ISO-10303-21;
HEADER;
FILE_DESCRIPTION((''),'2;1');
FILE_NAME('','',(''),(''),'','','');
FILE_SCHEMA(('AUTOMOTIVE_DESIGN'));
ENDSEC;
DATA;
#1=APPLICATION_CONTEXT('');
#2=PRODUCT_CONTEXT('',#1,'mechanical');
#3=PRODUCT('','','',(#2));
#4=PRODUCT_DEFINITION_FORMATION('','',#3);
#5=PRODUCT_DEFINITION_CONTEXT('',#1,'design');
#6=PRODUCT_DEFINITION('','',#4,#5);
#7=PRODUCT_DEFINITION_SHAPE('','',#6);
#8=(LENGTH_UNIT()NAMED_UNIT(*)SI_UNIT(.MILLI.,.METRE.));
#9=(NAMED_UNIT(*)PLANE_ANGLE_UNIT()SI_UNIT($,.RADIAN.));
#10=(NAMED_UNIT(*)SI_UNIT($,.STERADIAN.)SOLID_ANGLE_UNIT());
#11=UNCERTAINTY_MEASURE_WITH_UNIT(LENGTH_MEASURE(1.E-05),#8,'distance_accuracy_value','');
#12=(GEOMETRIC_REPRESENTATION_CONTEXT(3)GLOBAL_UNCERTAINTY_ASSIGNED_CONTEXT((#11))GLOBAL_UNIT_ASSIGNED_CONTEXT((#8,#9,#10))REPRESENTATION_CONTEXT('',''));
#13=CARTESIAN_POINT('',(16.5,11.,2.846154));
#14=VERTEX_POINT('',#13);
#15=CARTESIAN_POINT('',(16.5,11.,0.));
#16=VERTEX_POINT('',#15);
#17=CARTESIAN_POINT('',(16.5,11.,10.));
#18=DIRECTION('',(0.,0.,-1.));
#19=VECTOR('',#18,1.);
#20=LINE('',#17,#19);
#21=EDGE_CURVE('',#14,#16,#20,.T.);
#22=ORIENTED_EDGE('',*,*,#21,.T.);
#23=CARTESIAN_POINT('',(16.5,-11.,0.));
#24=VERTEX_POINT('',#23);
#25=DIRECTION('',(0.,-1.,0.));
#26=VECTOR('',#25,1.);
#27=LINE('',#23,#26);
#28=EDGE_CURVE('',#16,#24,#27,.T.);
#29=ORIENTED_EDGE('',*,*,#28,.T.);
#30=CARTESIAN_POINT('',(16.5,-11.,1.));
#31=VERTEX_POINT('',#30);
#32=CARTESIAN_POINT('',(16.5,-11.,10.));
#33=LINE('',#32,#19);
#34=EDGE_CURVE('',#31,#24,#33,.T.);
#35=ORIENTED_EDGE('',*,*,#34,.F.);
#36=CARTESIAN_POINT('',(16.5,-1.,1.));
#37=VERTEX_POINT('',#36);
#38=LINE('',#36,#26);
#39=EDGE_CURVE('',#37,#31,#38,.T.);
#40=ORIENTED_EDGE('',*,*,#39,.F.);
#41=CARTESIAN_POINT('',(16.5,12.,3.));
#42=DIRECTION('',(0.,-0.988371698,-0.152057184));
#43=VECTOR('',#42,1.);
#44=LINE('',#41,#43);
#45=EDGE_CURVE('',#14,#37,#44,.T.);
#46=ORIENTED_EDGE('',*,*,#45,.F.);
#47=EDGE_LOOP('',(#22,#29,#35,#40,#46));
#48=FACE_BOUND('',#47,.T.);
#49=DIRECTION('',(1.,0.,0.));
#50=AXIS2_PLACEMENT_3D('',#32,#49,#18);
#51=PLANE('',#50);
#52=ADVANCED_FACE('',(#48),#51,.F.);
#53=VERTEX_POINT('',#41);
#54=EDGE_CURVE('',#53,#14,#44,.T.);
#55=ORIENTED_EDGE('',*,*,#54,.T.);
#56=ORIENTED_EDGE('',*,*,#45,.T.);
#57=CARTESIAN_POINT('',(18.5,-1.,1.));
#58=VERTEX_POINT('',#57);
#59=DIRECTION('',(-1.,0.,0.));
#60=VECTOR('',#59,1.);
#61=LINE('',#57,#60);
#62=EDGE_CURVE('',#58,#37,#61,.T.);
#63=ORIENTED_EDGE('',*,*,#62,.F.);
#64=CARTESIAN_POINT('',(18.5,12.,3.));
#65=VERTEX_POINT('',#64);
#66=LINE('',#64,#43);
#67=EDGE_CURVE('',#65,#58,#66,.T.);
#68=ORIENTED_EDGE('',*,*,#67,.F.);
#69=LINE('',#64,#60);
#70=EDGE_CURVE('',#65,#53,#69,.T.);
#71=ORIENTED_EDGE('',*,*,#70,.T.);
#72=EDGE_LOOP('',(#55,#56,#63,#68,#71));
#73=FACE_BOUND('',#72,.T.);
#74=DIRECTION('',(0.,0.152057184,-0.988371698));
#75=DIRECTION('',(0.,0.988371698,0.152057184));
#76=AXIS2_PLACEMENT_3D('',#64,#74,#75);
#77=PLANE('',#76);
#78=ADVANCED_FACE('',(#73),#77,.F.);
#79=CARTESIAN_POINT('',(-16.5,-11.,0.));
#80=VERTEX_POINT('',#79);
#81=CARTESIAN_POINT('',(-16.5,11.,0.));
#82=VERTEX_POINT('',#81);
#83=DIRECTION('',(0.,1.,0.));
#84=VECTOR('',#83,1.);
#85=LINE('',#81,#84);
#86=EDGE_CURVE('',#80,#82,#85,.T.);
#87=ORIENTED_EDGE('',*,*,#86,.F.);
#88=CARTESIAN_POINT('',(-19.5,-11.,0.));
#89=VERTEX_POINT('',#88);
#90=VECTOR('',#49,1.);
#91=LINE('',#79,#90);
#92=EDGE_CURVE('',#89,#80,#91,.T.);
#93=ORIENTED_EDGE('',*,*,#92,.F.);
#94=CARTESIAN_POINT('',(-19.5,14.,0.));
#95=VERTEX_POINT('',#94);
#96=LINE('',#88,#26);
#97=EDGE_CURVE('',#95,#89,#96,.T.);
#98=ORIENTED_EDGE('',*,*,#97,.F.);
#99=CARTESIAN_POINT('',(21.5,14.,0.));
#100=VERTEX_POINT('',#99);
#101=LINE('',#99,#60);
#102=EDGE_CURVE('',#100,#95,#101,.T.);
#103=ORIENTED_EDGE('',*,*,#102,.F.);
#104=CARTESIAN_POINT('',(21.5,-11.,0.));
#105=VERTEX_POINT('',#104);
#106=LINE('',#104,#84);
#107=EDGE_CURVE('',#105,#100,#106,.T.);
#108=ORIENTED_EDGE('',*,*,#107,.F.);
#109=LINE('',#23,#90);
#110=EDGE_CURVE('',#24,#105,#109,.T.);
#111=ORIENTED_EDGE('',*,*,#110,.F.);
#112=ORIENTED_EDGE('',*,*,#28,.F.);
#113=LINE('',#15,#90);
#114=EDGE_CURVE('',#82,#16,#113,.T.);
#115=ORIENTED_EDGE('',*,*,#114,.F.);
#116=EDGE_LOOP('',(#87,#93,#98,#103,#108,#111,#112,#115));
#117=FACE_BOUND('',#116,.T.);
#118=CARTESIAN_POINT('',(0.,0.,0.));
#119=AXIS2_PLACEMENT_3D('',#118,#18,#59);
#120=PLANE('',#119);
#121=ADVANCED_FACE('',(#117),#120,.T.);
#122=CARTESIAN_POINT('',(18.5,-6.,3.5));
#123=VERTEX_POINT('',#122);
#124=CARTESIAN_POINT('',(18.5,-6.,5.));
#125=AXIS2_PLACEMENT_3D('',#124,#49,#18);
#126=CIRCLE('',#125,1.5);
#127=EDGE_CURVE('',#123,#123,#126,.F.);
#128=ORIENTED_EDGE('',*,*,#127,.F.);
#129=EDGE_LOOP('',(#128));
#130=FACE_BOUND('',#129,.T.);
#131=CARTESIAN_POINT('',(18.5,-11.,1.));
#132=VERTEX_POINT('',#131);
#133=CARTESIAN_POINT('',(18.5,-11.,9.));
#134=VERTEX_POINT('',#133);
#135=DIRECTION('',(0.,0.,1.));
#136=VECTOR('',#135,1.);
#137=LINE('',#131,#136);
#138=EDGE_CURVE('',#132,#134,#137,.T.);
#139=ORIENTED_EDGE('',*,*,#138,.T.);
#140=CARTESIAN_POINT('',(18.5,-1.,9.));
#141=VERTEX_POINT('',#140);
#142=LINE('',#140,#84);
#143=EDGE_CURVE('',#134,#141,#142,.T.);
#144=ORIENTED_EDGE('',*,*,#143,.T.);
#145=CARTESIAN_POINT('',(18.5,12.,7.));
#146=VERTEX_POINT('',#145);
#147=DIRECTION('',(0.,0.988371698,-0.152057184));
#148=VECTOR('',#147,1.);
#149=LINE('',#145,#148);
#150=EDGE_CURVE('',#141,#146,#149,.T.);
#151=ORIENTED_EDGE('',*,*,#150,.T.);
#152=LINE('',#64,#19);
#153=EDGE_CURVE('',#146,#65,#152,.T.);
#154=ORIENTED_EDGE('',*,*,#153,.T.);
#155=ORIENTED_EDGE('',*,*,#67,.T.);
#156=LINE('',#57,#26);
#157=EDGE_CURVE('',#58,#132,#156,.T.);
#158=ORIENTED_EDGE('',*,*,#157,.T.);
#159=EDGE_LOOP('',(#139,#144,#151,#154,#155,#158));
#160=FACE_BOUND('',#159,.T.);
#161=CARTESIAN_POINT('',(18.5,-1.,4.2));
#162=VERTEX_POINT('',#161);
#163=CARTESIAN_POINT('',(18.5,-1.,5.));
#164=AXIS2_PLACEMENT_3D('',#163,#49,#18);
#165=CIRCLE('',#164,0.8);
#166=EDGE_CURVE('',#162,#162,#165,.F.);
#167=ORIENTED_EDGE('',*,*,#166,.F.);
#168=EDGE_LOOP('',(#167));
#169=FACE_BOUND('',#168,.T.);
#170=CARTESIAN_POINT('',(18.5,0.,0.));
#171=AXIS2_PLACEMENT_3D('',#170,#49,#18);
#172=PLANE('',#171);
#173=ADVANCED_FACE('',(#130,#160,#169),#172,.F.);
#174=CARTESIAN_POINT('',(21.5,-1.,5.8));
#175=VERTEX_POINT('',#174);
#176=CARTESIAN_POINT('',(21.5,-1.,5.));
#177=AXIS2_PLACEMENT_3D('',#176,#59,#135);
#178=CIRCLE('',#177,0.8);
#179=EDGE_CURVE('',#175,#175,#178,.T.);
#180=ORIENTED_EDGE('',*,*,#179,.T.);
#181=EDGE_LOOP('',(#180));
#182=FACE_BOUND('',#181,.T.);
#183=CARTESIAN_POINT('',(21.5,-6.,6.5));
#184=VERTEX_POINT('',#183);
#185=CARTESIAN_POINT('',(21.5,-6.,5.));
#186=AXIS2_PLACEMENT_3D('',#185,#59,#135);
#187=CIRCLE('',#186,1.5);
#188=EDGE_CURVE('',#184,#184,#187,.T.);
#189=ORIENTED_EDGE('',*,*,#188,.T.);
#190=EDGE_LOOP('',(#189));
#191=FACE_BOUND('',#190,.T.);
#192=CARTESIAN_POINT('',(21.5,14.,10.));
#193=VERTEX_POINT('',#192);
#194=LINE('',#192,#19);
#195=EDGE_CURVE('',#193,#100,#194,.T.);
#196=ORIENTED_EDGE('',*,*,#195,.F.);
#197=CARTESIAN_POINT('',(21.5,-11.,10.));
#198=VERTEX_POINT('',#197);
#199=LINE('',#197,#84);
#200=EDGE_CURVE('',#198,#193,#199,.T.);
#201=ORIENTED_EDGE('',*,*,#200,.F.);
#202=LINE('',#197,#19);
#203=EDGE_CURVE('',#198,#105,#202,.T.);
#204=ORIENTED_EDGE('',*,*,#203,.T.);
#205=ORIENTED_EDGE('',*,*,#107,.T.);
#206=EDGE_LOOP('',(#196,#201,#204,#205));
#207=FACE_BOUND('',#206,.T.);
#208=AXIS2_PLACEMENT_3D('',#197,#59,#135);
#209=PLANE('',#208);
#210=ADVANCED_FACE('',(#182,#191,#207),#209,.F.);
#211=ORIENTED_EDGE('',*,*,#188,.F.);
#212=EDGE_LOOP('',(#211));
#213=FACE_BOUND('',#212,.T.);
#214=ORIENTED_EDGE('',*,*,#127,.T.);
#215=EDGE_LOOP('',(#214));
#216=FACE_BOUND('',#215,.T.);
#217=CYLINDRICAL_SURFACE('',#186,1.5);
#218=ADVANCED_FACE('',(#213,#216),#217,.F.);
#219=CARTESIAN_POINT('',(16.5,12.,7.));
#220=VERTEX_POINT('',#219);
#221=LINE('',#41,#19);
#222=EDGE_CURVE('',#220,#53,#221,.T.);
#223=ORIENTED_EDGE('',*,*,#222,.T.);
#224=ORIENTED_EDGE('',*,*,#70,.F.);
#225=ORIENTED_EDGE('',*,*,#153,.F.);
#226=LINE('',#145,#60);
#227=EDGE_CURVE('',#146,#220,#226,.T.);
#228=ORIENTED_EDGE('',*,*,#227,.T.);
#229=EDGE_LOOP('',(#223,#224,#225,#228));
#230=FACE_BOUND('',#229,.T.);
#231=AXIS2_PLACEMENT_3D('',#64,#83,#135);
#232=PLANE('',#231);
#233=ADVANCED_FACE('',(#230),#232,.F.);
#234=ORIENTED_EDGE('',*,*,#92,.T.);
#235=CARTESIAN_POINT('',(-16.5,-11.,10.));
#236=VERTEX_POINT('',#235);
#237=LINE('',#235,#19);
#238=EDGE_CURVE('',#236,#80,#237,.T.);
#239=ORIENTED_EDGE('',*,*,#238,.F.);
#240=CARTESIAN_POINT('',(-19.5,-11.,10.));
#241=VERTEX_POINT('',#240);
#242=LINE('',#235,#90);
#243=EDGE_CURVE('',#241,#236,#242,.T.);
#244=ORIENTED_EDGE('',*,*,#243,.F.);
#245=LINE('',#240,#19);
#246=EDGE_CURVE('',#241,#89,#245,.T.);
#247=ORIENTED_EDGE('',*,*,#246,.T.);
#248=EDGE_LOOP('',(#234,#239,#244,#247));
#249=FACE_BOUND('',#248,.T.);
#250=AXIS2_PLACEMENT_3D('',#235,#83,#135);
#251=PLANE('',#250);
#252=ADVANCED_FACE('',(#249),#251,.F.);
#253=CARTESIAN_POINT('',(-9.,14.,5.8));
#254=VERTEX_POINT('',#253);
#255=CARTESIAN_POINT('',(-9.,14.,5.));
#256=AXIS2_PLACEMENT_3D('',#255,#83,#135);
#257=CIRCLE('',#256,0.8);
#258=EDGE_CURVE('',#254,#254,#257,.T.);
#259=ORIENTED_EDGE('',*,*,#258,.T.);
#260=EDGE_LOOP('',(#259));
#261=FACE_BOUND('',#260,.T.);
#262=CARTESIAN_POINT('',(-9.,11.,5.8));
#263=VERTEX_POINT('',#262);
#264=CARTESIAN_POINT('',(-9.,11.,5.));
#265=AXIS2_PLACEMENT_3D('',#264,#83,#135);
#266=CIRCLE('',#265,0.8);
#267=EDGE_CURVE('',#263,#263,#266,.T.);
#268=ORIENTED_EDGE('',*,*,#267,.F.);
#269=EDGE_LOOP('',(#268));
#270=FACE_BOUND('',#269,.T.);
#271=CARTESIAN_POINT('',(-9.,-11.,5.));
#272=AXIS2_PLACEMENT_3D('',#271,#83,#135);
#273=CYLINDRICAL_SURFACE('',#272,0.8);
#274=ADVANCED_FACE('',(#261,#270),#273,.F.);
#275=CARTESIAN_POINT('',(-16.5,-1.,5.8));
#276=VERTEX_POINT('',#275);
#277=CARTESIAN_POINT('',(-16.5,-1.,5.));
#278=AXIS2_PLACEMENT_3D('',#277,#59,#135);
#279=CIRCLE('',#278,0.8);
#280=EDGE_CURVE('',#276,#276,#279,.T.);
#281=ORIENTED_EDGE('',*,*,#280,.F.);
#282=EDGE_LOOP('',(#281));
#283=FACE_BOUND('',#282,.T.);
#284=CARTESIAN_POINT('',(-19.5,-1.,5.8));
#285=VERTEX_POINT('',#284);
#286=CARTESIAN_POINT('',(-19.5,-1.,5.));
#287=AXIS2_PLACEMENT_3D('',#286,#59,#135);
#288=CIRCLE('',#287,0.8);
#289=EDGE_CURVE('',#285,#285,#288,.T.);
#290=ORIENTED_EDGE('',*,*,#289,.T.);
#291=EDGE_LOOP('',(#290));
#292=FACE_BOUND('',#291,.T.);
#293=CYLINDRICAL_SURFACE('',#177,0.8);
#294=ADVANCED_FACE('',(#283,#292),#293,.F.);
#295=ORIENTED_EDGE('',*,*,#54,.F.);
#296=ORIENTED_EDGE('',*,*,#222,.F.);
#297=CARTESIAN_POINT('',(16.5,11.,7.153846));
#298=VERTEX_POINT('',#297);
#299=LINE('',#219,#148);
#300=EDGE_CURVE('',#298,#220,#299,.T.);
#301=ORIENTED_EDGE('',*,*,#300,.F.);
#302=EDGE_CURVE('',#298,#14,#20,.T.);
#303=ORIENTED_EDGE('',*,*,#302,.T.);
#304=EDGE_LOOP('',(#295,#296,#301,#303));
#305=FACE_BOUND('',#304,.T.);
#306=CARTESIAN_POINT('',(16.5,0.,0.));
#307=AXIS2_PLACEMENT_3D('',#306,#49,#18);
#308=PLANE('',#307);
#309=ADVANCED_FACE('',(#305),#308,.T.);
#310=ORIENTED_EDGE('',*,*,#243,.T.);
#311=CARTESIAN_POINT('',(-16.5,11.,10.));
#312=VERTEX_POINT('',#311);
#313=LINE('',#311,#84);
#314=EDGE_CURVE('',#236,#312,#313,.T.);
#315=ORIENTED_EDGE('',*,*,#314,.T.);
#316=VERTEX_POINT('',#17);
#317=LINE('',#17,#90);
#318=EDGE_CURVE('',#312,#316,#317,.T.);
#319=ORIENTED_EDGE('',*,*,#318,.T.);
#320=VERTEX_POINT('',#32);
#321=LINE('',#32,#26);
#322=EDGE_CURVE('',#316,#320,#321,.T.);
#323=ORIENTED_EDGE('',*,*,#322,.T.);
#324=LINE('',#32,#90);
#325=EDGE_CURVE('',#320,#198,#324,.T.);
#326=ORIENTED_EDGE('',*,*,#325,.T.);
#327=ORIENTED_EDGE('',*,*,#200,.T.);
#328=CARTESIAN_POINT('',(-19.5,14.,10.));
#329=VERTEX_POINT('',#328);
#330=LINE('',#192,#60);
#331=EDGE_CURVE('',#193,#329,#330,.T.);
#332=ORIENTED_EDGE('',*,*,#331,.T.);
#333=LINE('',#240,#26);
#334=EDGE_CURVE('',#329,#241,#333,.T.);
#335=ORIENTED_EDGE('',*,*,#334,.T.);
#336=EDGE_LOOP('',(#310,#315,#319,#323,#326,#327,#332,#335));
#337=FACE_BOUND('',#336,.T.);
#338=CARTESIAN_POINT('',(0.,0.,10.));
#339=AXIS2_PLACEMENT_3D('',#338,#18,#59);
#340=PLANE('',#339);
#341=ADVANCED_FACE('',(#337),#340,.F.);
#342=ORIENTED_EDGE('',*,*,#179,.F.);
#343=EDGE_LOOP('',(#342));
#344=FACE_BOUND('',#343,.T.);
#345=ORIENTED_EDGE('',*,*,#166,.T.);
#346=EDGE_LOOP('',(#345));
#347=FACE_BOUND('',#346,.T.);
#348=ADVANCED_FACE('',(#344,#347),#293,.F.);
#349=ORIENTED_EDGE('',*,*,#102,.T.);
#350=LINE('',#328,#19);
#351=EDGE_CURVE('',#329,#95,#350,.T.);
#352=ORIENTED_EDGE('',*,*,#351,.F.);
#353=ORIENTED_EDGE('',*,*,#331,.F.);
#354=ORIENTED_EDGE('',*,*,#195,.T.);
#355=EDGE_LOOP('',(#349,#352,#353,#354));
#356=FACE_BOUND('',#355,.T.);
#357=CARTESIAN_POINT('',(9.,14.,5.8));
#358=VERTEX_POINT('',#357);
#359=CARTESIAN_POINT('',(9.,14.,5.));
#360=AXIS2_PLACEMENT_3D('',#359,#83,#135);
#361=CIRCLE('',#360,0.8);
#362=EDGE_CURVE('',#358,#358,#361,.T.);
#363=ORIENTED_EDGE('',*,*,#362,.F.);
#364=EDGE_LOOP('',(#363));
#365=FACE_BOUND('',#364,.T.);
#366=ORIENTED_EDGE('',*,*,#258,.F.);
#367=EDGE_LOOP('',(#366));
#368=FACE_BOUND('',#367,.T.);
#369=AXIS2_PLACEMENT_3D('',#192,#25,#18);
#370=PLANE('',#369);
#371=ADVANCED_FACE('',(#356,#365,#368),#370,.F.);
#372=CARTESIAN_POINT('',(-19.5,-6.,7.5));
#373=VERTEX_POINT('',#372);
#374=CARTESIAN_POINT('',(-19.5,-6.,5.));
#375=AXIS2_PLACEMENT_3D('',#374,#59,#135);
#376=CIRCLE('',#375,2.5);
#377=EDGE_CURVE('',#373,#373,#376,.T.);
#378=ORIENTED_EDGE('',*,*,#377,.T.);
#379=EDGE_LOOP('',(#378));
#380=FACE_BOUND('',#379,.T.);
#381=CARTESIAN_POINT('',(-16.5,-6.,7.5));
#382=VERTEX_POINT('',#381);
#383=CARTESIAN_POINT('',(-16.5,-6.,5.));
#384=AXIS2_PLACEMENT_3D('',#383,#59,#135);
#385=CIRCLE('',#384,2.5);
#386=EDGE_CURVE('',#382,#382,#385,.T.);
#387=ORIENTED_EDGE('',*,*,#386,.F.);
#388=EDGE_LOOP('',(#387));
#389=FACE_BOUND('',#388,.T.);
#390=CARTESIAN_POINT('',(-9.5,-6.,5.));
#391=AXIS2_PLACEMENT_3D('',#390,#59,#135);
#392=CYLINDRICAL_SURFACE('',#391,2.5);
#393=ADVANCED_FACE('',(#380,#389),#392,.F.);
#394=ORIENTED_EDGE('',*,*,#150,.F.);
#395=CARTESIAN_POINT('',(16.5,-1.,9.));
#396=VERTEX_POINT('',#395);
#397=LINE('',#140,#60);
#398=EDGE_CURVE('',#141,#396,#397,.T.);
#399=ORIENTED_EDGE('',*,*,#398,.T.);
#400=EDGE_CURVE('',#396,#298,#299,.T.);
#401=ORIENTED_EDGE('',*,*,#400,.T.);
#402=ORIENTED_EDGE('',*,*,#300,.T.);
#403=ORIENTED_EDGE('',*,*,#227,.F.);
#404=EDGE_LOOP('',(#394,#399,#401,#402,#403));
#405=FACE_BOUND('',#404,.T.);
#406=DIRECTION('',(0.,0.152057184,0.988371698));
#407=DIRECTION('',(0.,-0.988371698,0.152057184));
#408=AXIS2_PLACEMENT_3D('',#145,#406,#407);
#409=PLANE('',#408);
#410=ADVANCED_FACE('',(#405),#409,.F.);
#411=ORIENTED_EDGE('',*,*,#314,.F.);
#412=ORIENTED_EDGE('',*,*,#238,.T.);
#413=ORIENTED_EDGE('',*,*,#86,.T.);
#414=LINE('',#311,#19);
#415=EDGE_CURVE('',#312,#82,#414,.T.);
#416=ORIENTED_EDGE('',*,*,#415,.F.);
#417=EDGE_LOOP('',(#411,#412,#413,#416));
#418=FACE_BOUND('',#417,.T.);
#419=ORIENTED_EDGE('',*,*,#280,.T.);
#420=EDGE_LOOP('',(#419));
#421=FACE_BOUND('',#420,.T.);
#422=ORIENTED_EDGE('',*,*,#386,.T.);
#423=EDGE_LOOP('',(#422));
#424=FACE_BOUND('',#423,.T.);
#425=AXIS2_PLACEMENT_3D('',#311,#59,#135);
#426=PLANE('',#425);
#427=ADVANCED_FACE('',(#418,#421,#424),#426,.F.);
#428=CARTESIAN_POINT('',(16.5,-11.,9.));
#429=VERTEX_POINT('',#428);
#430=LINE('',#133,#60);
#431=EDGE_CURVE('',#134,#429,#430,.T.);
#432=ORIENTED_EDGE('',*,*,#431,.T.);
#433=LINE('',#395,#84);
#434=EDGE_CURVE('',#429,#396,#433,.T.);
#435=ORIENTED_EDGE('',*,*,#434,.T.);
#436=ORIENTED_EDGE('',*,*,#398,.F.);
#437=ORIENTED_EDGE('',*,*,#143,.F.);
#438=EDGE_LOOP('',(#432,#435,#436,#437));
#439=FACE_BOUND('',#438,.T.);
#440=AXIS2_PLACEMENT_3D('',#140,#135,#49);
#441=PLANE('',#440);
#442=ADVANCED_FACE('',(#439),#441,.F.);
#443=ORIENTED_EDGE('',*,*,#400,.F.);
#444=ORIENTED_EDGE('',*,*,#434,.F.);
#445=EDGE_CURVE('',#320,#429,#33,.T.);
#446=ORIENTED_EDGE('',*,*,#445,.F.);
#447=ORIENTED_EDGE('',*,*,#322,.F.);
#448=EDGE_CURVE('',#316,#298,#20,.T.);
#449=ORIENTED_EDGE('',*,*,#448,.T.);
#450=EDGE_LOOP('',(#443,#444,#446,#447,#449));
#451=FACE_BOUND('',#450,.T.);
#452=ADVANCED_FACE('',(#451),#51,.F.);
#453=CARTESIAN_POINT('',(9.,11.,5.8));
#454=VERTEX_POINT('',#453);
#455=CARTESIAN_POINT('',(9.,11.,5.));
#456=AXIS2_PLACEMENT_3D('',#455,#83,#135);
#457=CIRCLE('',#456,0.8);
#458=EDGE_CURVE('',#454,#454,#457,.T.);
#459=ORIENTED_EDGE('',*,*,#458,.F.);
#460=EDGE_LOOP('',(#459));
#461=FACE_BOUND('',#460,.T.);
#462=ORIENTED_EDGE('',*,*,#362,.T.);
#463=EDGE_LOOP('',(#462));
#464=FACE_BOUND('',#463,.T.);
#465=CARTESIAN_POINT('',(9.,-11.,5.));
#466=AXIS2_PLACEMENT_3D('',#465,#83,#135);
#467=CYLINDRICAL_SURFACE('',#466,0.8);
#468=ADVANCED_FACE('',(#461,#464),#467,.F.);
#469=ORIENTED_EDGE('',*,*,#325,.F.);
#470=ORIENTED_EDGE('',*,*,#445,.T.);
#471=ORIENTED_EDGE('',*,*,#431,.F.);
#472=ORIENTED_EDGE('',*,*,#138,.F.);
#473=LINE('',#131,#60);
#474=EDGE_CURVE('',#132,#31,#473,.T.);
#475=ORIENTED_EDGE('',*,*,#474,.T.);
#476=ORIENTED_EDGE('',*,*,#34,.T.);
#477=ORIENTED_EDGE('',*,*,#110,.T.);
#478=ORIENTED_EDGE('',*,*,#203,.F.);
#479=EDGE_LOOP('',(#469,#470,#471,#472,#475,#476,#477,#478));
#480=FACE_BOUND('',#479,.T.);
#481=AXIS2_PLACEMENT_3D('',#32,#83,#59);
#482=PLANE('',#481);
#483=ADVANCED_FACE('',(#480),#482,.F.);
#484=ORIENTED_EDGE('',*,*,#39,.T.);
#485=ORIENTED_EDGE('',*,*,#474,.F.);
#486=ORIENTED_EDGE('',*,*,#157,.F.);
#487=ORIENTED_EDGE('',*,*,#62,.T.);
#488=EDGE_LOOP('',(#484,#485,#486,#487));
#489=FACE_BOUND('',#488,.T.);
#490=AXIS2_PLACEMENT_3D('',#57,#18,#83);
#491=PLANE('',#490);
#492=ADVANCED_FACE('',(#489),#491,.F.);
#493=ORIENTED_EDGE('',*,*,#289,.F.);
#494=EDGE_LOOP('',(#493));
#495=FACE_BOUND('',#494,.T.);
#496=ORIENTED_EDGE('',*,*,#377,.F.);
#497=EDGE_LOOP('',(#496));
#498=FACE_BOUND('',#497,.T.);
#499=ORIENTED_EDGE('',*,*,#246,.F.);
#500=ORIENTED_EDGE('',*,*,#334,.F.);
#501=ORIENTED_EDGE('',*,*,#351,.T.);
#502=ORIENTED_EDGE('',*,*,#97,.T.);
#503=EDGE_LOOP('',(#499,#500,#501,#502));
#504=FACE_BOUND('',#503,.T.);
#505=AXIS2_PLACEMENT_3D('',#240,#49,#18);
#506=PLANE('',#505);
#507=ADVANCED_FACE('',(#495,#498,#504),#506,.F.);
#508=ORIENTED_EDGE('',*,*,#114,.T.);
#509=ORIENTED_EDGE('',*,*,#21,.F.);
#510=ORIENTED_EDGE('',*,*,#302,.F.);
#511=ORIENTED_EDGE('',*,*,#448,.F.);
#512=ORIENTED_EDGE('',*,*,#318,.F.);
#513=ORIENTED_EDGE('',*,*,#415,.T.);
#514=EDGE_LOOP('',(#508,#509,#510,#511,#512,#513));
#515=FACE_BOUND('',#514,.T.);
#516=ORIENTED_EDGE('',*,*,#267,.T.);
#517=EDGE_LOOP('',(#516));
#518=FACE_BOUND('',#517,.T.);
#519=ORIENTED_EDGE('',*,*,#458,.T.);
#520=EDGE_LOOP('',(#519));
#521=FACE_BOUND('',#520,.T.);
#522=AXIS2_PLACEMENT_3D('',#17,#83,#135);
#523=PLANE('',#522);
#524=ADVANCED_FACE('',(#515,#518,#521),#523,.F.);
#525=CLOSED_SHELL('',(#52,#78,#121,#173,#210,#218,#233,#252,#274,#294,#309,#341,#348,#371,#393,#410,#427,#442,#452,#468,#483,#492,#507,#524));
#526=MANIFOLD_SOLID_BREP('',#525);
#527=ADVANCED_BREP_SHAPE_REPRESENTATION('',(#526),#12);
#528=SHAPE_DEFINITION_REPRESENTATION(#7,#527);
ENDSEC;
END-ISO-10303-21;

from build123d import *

# Parameters (mm, degrees)
BOSS_EXTRUDE1_DEPTH = 10
SKETCH4_R           = 1.5
SKETCH4_R_2         = 0.8
CUT_EXTRUDE1_DEPTH  = 42
SKETCH6_R           = 0.8
CUT_EXTRUDE2_DEPTH  = 26
CUT_EXTRUDE3_DEPTH  = 2
SKETCH9_R           = 2.5
CUT_EXTRUDE4_DEPTH  = 10


with BuildPart() as part:
    # Sketch2 → Boss-Extrude1 (new body)
    with BuildSketch(Plane.XY):
        Polygon((-16.5, -11), (-19.5, -11), (-19.5, 14), (21.5, 14), (21.5, -11), (16.5, -11), (16.5, 11), (-16.5, 11), align=None)
    extrude(amount=BOSS_EXTRUDE1_DEPTH)

    # Sketch4 → Cut-Extrude1 (cut, through all)
    with BuildSketch(Plane.ZY.offset(19.5)):
        with Locations((5, -6)):
            Circle(SKETCH4_R)
        with Locations((5, -1)):
            Circle(SKETCH4_R_2)
    extrude(amount=-CUT_EXTRUDE1_DEPTH, mode=Mode.SUBTRACT)

    # Sketch6 → Cut-Extrude2 (cut, through all)
    with BuildSketch(Plane(origin=(0, 14, 0), x_dir=(1, 0, 0), z_dir=(0, 1, 0))):
        with Locations((-9, -5)):
            Circle(SKETCH6_R)
        with Locations((9, -5)):
            Circle(SKETCH6_R)
    extrude(amount=-CUT_EXTRUDE2_DEPTH, mode=Mode.SUBTRACT)

    # Sketch8 → Cut-Extrude3 (cut)
    with BuildSketch(Plane.ZY.offset(-16.5)):
        Polygon((1, -1), (1, -11), (9, -11), (9, -1), (7, 12), (3, 12), align=None)
    extrude(amount=-CUT_EXTRUDE3_DEPTH, mode=Mode.SUBTRACT)

    # Sketch9 → Cut-Extrude4 (cut)
    with BuildSketch(Plane.ZY.offset(19.5)):
        with Locations((5, -6)):
            Circle(SKETCH9_R)
    extrude(amount=-CUT_EXTRUDE4_DEPTH, mode=Mode.SUBTRACT)


solid = part.part
